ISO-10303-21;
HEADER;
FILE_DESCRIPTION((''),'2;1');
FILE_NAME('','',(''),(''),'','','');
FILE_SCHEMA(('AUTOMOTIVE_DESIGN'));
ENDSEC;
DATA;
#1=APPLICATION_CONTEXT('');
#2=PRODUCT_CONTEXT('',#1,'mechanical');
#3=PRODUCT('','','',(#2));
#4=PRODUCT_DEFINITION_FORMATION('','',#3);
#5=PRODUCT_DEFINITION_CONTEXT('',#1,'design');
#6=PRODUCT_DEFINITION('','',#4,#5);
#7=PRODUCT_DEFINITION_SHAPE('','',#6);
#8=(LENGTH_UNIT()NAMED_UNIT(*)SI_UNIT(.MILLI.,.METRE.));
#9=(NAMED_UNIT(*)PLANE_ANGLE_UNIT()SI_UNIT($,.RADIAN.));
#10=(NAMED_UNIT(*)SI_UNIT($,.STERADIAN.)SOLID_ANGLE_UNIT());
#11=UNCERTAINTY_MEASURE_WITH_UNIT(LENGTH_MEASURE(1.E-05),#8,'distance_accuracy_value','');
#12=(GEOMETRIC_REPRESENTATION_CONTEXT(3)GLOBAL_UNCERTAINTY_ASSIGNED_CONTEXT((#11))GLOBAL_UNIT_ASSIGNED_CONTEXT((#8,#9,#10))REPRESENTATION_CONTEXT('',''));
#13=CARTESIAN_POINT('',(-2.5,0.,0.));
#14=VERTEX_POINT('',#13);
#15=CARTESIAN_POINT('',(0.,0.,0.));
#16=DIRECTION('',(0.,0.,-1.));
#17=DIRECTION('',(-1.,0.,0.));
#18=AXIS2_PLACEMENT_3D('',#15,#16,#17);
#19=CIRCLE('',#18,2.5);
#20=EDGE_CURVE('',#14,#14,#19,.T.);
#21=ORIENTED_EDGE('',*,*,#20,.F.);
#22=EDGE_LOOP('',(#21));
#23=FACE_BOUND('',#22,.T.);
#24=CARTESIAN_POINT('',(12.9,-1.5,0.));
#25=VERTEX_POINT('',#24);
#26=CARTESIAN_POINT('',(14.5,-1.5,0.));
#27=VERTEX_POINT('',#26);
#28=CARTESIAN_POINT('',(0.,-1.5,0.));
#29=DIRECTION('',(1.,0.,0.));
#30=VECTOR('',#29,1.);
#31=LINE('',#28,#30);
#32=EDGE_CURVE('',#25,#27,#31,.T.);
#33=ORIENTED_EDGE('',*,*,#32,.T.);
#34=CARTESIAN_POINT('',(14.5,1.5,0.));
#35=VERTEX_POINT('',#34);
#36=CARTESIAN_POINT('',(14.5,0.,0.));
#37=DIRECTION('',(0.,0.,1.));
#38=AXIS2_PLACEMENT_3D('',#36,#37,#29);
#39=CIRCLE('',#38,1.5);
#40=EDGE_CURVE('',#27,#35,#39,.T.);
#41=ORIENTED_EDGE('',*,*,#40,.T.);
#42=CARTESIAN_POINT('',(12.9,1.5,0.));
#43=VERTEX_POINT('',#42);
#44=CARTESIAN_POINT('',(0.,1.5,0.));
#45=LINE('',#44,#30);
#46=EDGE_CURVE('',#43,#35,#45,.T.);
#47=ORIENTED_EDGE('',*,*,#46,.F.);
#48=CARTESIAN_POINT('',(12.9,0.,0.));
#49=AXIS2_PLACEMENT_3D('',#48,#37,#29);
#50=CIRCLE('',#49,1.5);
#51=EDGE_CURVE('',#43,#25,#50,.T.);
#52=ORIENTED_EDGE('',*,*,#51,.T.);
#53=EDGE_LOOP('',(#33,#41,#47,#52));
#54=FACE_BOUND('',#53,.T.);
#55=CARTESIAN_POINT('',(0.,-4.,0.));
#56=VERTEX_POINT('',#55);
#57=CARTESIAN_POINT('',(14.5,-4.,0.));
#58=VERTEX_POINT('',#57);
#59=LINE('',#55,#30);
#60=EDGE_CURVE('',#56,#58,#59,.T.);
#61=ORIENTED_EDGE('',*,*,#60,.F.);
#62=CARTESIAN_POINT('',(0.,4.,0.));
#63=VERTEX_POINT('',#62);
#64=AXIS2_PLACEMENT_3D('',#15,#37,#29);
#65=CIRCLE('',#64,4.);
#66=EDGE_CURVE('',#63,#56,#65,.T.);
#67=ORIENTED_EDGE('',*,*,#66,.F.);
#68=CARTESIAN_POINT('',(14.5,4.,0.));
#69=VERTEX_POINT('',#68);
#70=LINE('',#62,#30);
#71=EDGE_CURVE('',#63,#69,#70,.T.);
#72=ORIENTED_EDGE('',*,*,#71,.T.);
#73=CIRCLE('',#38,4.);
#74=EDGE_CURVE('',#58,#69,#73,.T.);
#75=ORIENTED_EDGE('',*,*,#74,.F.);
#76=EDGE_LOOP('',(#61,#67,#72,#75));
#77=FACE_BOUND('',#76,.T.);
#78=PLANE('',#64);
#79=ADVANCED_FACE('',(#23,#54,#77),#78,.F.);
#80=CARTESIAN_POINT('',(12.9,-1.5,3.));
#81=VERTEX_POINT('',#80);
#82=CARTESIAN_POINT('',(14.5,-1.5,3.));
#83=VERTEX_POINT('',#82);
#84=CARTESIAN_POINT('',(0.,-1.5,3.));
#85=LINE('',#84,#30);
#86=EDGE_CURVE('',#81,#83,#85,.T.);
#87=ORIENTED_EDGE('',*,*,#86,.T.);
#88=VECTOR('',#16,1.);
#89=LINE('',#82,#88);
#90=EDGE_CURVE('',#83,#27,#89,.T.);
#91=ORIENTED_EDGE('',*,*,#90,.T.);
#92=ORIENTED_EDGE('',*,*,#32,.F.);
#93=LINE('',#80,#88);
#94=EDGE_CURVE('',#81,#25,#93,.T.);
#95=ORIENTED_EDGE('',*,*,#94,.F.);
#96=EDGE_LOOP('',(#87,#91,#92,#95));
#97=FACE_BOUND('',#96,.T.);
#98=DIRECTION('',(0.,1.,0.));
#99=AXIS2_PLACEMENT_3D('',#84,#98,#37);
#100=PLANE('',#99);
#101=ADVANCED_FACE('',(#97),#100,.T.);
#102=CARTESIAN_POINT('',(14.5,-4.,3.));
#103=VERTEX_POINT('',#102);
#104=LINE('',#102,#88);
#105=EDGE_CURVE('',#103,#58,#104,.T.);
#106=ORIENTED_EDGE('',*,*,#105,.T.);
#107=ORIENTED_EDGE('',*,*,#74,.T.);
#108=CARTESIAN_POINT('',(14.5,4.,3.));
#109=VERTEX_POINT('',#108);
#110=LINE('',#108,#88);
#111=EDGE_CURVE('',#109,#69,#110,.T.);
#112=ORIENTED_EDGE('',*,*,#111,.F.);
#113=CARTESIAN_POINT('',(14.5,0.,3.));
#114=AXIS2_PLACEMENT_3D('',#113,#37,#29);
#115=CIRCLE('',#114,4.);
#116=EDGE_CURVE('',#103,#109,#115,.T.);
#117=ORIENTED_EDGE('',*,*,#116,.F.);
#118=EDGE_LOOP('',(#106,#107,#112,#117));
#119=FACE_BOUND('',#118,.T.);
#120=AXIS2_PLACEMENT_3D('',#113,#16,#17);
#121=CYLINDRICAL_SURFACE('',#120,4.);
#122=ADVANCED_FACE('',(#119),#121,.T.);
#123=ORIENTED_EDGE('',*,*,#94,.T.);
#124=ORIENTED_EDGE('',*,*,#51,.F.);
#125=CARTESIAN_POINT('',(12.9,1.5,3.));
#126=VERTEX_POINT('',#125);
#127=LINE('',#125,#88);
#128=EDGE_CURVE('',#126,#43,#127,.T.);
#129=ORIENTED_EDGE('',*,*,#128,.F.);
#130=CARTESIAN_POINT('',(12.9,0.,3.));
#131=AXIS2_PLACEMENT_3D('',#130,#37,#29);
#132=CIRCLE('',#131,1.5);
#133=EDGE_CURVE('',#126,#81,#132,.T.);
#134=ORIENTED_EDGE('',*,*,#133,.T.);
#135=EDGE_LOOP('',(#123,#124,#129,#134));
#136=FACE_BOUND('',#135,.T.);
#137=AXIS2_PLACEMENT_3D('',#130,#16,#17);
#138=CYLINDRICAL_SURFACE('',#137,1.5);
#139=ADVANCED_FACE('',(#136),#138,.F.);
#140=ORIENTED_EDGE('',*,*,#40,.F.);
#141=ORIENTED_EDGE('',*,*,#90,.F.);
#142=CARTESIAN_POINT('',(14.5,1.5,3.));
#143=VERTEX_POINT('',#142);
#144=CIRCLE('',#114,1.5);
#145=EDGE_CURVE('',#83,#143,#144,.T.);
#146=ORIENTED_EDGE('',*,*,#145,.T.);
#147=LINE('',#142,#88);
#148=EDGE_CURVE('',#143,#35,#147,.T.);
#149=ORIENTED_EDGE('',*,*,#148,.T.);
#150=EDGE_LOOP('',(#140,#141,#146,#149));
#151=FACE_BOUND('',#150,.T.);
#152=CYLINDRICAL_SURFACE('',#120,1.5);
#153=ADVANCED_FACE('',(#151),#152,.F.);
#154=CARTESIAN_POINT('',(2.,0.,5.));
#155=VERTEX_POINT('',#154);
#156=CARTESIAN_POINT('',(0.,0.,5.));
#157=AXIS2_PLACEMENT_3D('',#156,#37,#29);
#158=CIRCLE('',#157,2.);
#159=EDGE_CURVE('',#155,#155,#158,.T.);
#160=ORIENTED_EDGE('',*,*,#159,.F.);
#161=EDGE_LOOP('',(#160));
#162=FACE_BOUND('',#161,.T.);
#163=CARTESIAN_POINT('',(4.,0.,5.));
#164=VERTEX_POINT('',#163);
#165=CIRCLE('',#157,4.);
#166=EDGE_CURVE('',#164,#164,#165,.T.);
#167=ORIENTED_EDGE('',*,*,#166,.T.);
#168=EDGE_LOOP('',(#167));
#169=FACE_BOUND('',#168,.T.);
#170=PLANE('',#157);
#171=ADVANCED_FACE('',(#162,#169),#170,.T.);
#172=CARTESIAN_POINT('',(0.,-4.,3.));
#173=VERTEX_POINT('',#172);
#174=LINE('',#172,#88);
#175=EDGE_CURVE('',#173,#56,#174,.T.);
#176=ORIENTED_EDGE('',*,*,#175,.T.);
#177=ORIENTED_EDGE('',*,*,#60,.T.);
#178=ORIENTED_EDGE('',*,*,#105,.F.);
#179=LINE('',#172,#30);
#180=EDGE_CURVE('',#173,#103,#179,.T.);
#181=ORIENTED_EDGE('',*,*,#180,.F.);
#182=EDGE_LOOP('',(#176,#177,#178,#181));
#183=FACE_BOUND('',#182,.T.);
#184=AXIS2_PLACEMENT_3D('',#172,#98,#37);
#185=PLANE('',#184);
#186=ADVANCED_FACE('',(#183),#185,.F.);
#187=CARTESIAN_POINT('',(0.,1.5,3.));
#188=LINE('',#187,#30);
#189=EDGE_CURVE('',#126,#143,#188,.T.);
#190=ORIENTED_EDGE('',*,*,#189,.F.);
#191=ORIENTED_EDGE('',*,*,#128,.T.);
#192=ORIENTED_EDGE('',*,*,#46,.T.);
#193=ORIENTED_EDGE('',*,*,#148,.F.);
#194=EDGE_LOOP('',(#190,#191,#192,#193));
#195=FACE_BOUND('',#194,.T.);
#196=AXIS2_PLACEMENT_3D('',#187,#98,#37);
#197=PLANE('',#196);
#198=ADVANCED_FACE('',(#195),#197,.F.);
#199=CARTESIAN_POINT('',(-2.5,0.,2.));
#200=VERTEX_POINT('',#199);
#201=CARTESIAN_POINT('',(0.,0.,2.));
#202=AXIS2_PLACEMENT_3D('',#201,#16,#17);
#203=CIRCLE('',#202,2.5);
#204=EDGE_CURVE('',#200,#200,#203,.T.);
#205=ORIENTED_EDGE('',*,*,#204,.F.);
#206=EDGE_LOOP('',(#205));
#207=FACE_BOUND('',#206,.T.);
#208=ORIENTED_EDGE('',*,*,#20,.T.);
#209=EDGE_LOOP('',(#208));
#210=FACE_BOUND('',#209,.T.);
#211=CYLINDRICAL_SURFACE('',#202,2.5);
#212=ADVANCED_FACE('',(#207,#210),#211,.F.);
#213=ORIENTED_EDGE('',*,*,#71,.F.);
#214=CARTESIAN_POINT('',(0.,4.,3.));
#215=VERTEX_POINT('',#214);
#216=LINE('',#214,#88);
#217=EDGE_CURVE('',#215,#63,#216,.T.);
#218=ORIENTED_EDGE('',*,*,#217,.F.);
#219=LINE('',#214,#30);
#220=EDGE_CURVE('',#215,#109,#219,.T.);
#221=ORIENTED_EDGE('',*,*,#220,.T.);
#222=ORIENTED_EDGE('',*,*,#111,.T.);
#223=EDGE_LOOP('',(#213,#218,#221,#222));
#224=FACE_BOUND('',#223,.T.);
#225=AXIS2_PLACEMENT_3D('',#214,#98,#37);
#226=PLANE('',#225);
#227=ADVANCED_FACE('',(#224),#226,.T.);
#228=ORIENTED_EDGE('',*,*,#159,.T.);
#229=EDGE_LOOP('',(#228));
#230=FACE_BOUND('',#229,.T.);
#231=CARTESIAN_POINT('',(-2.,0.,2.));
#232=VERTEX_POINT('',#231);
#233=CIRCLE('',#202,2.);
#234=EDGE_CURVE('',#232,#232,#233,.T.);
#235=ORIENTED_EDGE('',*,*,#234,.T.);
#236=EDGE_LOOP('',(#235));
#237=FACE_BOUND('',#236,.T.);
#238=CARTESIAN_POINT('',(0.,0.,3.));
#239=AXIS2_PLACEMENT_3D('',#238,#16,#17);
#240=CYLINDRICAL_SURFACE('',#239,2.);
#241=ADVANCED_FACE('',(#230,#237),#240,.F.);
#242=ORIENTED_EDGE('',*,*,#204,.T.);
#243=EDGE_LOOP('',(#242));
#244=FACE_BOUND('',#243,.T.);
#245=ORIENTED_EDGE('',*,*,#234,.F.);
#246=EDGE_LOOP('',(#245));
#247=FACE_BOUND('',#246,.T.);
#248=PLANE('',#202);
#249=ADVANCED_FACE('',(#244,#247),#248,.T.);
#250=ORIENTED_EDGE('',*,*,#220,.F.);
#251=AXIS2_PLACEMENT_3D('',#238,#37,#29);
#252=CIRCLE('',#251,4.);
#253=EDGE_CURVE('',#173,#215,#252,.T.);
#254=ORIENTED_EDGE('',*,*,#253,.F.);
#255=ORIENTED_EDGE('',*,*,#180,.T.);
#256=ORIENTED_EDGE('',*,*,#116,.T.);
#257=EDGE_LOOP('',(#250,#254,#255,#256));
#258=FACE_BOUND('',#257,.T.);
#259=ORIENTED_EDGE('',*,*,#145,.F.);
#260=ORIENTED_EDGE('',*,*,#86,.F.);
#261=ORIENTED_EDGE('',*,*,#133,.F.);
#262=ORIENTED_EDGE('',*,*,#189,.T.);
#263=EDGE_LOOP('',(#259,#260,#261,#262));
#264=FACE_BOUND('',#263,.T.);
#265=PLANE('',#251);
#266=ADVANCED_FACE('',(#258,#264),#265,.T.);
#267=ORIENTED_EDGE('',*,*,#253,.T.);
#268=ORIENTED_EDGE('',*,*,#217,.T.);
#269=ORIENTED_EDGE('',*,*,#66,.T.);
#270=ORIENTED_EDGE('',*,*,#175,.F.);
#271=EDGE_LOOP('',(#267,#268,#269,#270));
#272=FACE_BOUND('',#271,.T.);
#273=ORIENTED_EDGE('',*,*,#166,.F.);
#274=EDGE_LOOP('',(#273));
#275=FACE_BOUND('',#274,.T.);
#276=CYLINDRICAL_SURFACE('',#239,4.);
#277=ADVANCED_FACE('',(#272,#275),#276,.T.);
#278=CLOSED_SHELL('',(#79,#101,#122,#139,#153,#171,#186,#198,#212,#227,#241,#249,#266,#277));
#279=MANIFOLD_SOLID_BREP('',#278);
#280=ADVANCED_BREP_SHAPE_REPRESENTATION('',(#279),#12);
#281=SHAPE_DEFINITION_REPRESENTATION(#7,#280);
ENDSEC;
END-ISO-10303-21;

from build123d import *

# Parameters (mm, degrees)
CROQUIS1_R              = 4
CROQUIS1_R_2            = 2
SALIENTE_EXTRUIR1_DEPTH = 3
CROQUIS2_R              = 4
CROQUIS2_R_2            = 2
SALIENTE_EXTRUIR2_DEPTH = 2
CROQUIS3_R              = 2.5
CORTAR_EXTRUIR1_DEPTH   = 2


with BuildPart() as part:
    # Croquis1 → Saliente-Extruir1 (new body)
    # profile 1 of 3: a face of its own
    with BuildSketch(Plane.XY):
        Circle(CROQUIS1_R)
        Circle(CROQUIS1_R_2, mode=Mode.SUBTRACT)
    # profile 2 of 3: a face of its own
    with BuildSketch(Plane.XY):
        with BuildLine():
            Line((14.5, 4), (0, 4))
            ThreePointArc((0, 4), (2.828427125, 2.828427125), (4, 0))
            ThreePointArc((4, 0), (2.828427125, -2.828427125), (0, -4))
            Line((0, -4), (14.5, -4))
            ThreePointArc((14.5, -4), (10.5, 0), (14.5, 4))
        make_face()
    # profile 3 of 3: a face of its own
    with BuildSketch(Plane.XY):
        with BuildLine():
            ThreePointArc((18.5, 0), (17.328427125, 2.828427125), (14.5, 4))
            ThreePointArc((14.5, 4), (10.5, 0), (14.5, -4))
            ThreePointArc((14.5, -4), (17.328427125, -2.828427125), (18.5, 0))
        make_face()
        with BuildLine():
            Line((14.5, -1.5), (12.9, -1.5))
            ThreePointArc((12.9, -1.5), (11.4, 0), (12.9, 1.5))
            Line((12.9, 1.5), (14.5, 1.5))
            ThreePointArc((14.5, 1.5), (15.560660172, 1.060660172), (16, 0))
            ThreePointArc((16, 0), (15.560660172, -1.060660172), (14.5, -1.5))
        make_face(mode=Mode.SUBTRACT)
    extrude(amount=SALIENTE_EXTRUIR1_DEPTH)

    # Croquis2 → Saliente-Extruir2 (add)
    with BuildSketch(Plane.XY.offset(3)):
        with Locations(Location((0, 0, 0), (0, 0, 270))):
            Circle(CROQUIS2_R)
        Circle(CROQUIS2_R_2, mode=Mode.SUBTRACT)
    extrude(amount=SALIENTE_EXTRUIR2_DEPTH)

    # Croquis3 → Cortar-Extruir1 (cut)
    with BuildSketch(Plane(origin=(0, 0, 0), x_dir=(-1, 0, 0), z_dir=(0, 0, -1))):
        Circle(CROQUIS3_R)
    extrude(amount=-CORTAR_EXTRUIR1_DEPTH, mode=Mode.SUBTRACT)


solid = part.part
